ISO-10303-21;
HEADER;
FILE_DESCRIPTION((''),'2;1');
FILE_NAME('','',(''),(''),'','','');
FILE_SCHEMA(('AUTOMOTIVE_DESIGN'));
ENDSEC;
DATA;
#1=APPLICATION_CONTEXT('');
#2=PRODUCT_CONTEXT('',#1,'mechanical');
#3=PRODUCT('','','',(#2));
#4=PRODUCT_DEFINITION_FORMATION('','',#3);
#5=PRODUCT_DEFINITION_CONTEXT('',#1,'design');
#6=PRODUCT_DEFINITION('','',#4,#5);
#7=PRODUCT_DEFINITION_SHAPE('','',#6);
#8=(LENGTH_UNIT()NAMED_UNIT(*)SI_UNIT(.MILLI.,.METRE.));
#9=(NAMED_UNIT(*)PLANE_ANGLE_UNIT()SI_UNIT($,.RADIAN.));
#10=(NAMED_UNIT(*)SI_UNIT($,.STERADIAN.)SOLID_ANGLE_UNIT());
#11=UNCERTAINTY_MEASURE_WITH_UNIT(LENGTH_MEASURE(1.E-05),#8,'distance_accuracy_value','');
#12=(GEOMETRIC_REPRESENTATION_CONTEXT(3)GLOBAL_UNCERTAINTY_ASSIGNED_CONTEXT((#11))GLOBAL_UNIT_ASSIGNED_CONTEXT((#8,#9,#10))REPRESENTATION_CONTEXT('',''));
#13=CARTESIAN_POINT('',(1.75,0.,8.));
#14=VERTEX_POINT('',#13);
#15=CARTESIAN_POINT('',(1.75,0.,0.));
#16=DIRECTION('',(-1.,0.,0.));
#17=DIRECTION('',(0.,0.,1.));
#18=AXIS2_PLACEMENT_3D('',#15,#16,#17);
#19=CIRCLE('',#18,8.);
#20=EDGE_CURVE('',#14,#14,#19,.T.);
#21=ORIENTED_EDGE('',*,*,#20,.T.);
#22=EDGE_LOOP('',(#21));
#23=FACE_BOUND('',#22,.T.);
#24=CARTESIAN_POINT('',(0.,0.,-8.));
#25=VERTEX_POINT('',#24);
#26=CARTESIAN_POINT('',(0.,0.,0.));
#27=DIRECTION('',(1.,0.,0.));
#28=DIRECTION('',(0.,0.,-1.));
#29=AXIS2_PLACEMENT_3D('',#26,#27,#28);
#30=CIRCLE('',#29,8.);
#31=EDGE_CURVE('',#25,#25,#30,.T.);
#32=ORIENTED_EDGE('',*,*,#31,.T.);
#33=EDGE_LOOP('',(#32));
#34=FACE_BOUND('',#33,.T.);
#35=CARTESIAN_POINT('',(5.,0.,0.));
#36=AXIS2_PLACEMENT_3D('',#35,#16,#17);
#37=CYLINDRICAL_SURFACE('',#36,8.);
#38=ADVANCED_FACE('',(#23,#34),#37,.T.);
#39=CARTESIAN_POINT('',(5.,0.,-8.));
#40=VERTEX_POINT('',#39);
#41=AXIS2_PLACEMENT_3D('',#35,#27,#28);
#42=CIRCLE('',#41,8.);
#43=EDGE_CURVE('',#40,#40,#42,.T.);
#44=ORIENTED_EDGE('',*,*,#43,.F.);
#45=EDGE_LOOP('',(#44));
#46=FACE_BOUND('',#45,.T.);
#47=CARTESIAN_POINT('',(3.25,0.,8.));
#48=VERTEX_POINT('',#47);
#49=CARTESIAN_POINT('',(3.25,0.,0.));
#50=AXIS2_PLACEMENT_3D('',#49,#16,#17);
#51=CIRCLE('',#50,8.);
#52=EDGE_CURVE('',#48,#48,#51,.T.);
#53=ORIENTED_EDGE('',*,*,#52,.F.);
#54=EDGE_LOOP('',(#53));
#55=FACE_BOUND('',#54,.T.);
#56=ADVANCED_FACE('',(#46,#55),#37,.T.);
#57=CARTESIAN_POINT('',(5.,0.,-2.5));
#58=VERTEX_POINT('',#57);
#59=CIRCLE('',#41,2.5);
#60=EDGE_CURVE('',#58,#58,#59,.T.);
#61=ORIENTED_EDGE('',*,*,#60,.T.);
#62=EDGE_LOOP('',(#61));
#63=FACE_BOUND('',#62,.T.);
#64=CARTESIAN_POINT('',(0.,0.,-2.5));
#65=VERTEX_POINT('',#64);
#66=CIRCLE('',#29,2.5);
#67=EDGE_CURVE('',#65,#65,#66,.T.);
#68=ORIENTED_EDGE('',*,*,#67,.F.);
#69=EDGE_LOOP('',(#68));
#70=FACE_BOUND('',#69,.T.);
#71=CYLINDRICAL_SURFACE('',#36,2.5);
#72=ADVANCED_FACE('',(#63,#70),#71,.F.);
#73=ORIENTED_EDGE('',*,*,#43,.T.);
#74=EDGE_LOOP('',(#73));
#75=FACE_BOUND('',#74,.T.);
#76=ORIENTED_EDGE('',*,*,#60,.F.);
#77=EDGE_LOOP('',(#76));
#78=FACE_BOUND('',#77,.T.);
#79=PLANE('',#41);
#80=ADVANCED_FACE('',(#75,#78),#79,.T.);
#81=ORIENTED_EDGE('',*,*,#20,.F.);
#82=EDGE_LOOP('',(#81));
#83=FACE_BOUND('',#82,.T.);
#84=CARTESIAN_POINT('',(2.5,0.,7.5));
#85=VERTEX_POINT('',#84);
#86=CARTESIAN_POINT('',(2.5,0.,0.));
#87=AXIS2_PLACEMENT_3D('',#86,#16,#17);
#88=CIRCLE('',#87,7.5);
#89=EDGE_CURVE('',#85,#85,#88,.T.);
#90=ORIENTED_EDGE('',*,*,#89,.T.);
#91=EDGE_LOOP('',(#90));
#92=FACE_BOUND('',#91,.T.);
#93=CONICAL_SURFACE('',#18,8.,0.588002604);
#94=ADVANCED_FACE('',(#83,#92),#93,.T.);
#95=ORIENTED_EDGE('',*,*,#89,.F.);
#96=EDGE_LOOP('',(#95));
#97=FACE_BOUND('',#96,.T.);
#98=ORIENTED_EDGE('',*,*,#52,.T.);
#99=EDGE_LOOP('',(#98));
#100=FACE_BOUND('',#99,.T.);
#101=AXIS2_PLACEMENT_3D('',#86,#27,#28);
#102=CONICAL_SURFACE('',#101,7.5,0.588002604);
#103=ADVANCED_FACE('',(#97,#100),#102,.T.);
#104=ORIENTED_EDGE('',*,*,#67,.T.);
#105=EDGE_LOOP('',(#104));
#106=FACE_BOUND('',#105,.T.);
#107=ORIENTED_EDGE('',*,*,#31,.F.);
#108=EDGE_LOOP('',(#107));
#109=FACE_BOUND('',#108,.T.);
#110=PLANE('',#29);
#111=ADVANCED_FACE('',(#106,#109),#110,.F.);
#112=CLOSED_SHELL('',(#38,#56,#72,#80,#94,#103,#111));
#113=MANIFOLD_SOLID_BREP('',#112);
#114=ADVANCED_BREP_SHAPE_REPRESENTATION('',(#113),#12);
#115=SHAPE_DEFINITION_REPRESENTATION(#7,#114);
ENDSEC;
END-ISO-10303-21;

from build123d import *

# Parameters (mm, degrees)
SKETCH1_R           = 8
SKETCH1_R_2         = 2.5
BOSS_EXTRUDE1_DEPTH = 5


with BuildPart() as part:
    # Sketch1 → Boss-Extrude1 (new body)
    with BuildSketch(Plane(origin=(0, 0, 0), x_dir=(0, 0, -1), z_dir=(1, 0, 0))):
        Circle(SKETCH1_R)
        Circle(SKETCH1_R_2, mode=Mode.SUBTRACT)
    extrude(amount=BOSS_EXTRUDE1_DEPTH)

    # Sketch2 → Cut-Revolve1 (revolve, cut)
    with BuildSketch(Plane(origin=(0, 0, 0), x_dir=(1, 0, 0), z_dir=(0, 1, 0))):
        Polygon((1.75, 8), (2.5, 7.5), (3.25, 8), align=None)
    revolve(axis=Axis((0, 0, 0), (1, 0, 0)), mode=Mode.SUBTRACT)


solid = part.part
